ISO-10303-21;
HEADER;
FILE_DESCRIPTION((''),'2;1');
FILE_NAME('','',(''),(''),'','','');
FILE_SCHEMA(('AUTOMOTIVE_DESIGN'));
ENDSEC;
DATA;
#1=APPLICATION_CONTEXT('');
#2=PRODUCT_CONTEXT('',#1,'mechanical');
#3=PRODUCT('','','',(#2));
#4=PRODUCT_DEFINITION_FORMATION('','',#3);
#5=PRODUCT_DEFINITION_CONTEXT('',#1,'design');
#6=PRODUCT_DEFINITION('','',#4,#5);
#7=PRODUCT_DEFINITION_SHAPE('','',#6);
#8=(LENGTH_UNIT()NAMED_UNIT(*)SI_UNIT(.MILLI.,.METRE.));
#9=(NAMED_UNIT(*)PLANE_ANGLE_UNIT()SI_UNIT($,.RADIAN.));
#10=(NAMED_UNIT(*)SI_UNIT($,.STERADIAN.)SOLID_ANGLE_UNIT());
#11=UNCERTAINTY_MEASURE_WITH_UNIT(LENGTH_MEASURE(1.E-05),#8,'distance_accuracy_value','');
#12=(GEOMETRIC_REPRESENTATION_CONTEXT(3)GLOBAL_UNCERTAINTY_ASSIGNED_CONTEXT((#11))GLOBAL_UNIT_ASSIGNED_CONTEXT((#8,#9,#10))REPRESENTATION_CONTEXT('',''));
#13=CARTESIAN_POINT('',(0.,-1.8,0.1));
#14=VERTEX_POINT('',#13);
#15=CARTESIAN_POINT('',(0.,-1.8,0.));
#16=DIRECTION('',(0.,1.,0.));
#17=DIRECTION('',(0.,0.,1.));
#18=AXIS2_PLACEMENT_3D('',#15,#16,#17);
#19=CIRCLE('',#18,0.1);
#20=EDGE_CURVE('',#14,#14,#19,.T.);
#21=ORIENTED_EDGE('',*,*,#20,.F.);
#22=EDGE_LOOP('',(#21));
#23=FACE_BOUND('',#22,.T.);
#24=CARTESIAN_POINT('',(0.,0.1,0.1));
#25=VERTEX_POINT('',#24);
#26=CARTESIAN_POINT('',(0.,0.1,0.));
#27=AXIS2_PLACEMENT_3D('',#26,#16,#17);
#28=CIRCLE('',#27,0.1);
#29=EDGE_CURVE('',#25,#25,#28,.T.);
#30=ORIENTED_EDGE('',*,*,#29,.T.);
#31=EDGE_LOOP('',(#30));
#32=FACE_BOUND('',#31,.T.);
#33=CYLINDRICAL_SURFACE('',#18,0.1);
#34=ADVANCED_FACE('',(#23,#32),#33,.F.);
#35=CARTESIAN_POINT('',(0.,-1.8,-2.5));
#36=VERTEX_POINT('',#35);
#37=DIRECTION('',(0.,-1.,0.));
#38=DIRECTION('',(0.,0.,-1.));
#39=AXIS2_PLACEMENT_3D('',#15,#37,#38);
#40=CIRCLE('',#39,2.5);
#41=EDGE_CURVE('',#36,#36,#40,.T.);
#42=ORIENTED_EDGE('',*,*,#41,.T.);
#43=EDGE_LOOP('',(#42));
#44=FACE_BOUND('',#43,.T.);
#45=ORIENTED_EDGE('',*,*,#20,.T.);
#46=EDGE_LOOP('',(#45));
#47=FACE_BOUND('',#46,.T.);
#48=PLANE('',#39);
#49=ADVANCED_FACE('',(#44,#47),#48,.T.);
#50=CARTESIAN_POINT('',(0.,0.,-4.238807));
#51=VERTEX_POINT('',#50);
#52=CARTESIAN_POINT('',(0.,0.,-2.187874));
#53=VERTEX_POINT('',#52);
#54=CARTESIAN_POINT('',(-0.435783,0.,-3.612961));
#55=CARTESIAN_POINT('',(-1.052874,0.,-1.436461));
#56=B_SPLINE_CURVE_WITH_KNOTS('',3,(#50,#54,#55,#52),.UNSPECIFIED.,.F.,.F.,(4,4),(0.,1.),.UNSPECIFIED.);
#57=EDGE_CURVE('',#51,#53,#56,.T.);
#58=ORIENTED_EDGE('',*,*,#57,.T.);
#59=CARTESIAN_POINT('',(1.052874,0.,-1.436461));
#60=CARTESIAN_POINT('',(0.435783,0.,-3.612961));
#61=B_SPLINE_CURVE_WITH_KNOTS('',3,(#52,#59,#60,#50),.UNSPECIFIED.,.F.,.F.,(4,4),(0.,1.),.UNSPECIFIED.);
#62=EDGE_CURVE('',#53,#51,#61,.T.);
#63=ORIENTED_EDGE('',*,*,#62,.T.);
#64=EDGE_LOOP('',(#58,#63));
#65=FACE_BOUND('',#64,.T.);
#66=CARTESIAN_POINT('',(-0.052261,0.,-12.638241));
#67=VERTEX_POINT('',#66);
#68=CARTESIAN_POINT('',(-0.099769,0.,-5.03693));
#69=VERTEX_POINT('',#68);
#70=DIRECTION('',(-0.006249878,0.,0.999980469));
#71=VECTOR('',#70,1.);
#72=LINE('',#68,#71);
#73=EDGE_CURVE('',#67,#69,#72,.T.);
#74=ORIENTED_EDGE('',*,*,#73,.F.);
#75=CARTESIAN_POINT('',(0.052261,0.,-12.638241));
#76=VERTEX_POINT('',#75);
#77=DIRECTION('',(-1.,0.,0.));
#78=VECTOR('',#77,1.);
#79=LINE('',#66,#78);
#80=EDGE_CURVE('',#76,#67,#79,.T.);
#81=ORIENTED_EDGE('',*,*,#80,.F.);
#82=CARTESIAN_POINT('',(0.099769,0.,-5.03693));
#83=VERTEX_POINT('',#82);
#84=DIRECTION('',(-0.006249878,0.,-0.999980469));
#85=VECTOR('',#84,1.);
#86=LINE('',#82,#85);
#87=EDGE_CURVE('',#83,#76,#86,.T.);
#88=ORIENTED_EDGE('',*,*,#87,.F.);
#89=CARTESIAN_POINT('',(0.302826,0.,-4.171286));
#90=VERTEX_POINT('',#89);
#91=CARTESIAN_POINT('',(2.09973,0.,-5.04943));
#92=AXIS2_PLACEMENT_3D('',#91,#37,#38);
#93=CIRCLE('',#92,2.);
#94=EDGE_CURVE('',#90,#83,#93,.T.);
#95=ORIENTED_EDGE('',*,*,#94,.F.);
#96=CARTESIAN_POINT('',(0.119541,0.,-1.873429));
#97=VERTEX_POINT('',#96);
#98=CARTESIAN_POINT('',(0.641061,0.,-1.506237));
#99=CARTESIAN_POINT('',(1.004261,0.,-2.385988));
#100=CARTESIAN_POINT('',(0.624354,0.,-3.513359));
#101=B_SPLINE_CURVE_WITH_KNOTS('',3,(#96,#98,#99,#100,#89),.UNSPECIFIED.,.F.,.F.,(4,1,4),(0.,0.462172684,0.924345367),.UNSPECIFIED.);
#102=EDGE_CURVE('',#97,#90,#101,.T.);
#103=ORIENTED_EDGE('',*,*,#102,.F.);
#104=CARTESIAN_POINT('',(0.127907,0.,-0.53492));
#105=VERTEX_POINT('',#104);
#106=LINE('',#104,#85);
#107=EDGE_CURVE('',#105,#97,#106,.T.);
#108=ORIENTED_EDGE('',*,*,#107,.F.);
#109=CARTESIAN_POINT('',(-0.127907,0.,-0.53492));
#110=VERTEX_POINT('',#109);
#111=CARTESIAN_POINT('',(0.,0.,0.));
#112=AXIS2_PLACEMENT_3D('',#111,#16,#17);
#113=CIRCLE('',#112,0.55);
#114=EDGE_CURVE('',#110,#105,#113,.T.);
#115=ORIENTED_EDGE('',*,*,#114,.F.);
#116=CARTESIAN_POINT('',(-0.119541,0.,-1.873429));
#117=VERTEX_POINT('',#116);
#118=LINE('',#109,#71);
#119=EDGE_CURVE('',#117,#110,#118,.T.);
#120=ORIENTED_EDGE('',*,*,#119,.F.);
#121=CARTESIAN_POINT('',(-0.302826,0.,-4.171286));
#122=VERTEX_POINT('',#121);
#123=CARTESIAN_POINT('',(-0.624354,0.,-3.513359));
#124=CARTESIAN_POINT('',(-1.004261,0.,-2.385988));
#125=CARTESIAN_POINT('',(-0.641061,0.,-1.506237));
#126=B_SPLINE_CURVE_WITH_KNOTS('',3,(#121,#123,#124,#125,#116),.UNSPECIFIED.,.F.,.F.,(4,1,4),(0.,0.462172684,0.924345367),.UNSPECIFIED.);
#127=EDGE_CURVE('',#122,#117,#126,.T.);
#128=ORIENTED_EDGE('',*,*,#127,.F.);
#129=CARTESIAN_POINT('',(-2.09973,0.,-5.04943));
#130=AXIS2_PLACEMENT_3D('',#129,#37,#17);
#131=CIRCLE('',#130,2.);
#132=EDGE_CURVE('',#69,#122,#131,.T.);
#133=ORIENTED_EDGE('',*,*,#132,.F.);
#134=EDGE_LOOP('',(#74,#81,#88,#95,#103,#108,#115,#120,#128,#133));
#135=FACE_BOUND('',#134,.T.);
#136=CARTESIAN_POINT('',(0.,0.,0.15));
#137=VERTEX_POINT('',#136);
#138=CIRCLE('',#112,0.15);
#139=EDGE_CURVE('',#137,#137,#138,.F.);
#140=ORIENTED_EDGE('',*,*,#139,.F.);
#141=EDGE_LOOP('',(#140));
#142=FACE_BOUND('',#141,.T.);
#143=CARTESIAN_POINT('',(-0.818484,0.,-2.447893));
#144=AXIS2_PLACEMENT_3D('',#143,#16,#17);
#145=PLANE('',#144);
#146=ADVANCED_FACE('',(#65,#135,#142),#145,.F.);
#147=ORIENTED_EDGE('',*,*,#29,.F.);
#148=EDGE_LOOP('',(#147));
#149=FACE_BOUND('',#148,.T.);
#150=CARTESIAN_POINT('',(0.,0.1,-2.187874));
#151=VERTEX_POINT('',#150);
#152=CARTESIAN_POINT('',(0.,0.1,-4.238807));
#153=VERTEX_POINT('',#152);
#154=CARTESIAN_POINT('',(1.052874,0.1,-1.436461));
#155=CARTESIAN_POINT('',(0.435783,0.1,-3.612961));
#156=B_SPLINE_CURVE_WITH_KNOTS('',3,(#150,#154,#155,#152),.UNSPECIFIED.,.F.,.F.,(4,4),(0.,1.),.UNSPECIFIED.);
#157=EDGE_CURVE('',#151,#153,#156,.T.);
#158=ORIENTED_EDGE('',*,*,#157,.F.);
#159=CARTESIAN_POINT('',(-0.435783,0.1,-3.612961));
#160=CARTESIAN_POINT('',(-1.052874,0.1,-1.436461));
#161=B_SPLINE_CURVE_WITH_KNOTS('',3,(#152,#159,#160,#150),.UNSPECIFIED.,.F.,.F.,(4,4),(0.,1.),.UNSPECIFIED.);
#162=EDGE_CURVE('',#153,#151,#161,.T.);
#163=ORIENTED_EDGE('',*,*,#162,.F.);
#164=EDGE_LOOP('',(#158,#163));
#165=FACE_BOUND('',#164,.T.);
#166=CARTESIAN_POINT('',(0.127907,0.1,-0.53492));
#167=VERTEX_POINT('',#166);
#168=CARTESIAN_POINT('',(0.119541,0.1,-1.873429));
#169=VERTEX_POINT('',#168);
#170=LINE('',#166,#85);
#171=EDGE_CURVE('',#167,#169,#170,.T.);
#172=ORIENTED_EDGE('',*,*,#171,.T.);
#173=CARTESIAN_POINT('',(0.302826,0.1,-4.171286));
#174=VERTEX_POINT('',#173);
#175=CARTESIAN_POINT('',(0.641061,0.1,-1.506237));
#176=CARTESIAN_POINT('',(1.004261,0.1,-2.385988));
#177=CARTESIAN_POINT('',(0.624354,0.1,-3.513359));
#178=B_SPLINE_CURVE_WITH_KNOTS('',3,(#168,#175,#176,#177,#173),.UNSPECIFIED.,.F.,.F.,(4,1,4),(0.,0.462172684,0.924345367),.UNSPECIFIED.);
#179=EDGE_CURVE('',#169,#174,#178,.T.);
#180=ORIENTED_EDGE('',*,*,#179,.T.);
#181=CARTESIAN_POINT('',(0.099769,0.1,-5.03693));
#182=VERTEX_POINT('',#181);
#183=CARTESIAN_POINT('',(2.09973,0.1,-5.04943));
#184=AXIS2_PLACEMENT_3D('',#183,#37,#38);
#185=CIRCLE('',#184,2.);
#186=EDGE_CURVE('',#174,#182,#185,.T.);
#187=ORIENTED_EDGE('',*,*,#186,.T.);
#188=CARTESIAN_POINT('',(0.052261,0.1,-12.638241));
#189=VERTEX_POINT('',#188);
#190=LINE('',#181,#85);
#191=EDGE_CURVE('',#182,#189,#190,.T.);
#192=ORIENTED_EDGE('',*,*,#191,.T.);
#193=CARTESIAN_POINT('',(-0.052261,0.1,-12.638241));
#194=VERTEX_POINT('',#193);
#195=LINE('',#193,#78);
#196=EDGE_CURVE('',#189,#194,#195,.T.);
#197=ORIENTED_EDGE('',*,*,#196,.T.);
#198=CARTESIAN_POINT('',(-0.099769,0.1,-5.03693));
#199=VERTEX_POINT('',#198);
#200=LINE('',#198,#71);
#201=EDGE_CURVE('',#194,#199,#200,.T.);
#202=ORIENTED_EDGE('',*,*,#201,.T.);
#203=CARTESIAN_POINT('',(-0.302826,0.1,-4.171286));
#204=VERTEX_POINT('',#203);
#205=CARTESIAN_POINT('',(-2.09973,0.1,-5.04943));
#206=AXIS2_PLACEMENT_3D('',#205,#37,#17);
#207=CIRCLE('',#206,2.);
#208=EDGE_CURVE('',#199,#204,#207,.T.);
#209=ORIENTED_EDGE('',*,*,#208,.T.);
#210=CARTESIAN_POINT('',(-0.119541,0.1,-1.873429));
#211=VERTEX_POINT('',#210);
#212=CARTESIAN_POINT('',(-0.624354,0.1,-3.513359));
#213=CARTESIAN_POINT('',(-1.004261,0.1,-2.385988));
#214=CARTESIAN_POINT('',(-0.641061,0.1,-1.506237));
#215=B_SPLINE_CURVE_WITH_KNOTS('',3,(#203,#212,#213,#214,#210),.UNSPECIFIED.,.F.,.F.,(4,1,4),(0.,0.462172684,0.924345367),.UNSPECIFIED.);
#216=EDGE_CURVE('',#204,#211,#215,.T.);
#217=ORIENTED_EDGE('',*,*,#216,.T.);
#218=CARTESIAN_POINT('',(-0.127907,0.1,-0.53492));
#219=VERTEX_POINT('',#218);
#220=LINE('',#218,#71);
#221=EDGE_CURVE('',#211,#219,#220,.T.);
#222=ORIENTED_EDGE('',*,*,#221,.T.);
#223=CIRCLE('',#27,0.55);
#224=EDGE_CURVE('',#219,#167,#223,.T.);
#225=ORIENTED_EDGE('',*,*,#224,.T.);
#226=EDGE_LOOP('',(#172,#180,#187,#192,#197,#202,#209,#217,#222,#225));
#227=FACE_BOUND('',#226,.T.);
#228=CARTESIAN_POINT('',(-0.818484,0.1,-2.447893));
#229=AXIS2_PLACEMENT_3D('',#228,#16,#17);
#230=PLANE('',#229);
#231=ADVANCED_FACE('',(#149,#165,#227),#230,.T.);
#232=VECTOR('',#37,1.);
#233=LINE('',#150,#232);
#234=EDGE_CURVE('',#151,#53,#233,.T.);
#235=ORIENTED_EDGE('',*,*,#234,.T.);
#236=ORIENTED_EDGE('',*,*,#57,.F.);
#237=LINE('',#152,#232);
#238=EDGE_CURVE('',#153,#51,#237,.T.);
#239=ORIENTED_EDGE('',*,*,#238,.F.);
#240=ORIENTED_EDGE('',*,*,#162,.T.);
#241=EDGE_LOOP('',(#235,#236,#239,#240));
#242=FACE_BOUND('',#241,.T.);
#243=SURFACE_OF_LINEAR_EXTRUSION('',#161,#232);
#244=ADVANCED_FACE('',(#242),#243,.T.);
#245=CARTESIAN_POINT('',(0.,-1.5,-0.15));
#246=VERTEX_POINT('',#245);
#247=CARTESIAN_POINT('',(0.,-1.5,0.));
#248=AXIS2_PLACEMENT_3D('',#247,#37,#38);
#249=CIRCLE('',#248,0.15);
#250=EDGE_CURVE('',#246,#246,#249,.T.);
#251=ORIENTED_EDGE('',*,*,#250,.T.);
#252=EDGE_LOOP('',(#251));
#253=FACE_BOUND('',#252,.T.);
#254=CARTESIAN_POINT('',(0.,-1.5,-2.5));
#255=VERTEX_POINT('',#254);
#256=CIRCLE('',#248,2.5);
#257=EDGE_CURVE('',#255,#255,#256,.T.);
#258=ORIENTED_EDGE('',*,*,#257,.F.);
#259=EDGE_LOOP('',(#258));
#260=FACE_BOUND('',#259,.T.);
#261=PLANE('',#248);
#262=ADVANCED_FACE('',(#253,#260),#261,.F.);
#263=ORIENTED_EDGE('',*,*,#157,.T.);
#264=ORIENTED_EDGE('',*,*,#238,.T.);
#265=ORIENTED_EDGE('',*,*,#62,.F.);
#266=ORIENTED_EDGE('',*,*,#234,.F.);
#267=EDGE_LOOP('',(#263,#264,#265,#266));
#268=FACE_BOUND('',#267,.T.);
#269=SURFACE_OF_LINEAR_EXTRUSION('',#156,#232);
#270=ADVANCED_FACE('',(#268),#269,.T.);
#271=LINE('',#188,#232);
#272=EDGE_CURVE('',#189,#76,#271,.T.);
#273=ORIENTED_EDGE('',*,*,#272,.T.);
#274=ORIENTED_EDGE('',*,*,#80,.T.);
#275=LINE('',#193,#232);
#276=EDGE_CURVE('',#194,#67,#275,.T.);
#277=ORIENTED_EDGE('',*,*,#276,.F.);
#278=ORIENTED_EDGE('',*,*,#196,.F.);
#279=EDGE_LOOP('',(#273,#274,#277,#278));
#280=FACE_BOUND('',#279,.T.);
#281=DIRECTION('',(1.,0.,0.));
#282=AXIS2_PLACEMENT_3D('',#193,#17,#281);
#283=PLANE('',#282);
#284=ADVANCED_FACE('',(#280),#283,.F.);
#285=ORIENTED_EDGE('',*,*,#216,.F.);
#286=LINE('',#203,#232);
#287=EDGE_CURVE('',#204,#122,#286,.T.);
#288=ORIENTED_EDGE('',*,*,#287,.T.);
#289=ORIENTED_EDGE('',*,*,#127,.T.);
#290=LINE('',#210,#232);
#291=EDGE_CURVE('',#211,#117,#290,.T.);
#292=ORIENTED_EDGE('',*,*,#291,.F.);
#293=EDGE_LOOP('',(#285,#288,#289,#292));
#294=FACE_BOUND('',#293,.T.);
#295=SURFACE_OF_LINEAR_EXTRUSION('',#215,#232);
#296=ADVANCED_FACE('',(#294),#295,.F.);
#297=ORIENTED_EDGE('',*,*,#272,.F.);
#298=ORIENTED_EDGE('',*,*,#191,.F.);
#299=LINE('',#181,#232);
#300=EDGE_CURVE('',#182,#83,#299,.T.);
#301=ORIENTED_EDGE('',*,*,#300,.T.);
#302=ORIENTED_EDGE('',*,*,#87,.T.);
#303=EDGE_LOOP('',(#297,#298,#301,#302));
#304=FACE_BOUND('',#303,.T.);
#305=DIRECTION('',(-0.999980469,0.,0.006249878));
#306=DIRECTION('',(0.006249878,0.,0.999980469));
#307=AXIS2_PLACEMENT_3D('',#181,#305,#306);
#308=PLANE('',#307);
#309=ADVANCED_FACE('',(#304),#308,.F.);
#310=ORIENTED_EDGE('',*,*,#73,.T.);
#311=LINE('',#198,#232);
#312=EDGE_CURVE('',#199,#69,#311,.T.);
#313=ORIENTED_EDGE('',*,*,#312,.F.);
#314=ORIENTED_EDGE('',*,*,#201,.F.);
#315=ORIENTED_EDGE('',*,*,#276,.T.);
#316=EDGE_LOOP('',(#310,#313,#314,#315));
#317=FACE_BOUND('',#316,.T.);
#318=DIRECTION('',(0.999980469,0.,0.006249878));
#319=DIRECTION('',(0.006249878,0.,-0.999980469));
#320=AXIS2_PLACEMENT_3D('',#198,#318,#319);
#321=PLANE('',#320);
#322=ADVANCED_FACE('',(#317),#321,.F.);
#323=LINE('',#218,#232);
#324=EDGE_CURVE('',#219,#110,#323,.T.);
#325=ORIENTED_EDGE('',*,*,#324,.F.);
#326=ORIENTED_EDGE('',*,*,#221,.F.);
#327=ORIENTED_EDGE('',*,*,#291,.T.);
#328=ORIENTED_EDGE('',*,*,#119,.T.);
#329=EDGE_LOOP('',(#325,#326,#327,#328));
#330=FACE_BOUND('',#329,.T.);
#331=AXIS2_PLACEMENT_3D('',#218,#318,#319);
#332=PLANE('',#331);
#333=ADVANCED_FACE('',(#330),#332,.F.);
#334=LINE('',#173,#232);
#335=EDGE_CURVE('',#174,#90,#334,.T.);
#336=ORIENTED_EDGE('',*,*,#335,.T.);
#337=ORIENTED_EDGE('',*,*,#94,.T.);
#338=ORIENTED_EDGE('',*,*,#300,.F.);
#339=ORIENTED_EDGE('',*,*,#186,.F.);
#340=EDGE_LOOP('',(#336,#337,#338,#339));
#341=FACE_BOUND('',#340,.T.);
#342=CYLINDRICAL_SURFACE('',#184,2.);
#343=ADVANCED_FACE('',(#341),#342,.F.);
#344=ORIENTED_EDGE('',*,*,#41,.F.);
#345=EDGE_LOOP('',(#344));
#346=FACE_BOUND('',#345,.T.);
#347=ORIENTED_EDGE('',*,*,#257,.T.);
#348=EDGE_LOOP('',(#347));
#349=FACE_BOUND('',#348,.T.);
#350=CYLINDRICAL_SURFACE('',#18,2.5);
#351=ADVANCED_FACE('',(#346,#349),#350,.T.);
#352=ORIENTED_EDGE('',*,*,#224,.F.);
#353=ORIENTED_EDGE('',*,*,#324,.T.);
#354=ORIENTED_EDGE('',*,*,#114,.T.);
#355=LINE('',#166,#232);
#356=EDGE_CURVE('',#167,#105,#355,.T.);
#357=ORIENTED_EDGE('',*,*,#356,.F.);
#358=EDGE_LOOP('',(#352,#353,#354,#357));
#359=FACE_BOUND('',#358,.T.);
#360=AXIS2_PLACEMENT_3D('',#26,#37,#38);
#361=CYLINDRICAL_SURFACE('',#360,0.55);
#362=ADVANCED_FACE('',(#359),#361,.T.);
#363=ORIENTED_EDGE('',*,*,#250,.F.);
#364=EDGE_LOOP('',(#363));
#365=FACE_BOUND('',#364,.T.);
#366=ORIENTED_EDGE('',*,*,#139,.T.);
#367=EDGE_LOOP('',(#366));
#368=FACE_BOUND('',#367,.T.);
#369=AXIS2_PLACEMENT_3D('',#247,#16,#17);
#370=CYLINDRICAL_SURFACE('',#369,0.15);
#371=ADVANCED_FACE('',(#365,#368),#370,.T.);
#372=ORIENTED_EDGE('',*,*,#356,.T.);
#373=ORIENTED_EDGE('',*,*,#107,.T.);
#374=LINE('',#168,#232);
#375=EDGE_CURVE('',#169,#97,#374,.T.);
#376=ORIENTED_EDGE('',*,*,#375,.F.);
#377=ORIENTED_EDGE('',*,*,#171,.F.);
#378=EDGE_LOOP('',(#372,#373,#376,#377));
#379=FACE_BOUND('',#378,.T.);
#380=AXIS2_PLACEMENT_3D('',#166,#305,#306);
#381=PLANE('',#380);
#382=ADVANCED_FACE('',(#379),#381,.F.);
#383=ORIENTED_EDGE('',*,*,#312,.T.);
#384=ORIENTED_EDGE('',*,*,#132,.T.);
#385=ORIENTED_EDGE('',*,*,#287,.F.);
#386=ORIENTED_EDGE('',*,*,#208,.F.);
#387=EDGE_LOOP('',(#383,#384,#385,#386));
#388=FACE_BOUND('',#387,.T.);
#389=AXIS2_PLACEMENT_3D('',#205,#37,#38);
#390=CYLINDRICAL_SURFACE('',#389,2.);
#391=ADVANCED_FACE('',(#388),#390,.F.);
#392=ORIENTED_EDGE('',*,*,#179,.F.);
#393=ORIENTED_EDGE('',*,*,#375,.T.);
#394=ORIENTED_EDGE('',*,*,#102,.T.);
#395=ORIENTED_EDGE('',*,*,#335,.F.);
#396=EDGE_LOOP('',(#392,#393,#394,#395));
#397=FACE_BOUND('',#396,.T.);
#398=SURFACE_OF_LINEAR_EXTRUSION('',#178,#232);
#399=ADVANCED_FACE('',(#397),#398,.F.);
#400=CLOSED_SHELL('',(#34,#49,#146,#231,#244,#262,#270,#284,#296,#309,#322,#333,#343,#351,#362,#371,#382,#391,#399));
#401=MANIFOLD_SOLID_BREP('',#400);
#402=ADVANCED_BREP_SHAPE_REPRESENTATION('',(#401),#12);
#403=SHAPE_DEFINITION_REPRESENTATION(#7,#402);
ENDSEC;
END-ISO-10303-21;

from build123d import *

# Parameters (mm, degrees)
BOSS_EXTRUDE1_DEPTH = 0.1
SKETCH2_R           = 0.15
BOSS_EXTRUDE2_DEPTH = 1.5
SKETCH3_R           = 2.5
BOSS_EXTRUDE3_DEPTH = 0.3
SKETCH4_R           = 0.1
CUT_EXTRUDE1_DEPTH  = 2.9


with BuildPart() as part:
    # Sketch1 → Boss-Extrude1 (new body)
    with BuildSketch(Plane(origin=(0, 0, 0), x_dir=(1, 0, 0), z_dir=(0, 1, 0))):
        with BuildLine():
            Line((-0.127906747, 0.534920428), (-0.119541068, 1.873429083))
            add(Edge.make_bspline(
                [(-0.119541068, 1.873429083), (-0.641060696, 1.506237283), (-1.004261291, 2.385988304), (-0.624353855, 3.513359347), (-0.302826258, 4.171285989)],
                knots=[0, 0, 0, 0, 0.462172684, 0.924345367, 0.924345367, 0.924345367, 0.924345367], degree=3))
            ThreePointArc((-0.302826258, 4.171285989), (-0.152583372, 4.592680906), (-0.099769187, 5.036930007))
            Line((-0.099769187, 5.036930007), (-0.052260994, 12.638240889))
            Line((-0.052260994, 12.638240889), (0.052260994, 12.638240889))
            Line((0.052260994, 12.638240889), (0.099769187, 5.036930007))
            ThreePointArc((0.099769187, 5.036930007), (0.152583372, 4.592680906), (0.302826258, 4.171285989))
            add(Edge.make_bspline(
                [(0.119541068, 1.873429083), (0.641060696, 1.506237283), (1.004261291, 2.385988304), (0.624353855, 3.513359347), (0.302826258, 4.171285989)],
                knots=[0, 0, 0, 0, 0.462172684, 0.924345367, 0.924345367, 0.924345367, 0.924345367], degree=3))
            Line((0.119541068, 1.873429083), (0.127906747, 0.534920428))
            ThreePointArc((0.127906747, 0.534920428), (0, -0.55), (-0.127906747, 0.534920428))
        make_face()
        with BuildLine():
            add(Edge.make_bspline(
                [(0, 2.187874242), (-1.052874031, 1.436460782), (-0.435783261, 3.612960551), (0, 4.238807322)],
                knots=[0, 0, 0, 0, 1, 1, 1, 1], degree=3))
            add(Edge.make_bspline(
                [(0, 2.187874242), (1.052874031, 1.436460782), (0.435783261, 3.612960551), (0, 4.238807322)],
                knots=[0, 0, 0, 0, 1, 1, 1, 1], degree=3))
        make_face(mode=Mode.SUBTRACT)
    extrude(amount=BOSS_EXTRUDE1_DEPTH)

    # Sketch2 → Boss-Extrude2 (add)
    with BuildSketch(Plane.XZ):
        Circle(SKETCH2_R)
    extrude(amount=BOSS_EXTRUDE2_DEPTH)

    # Sketch3 → Boss-Extrude3 (add)
    with BuildSketch(Plane.XZ.offset(1.5)):
        Circle(SKETCH3_R)
    extrude(amount=BOSS_EXTRUDE3_DEPTH)

    # Sketch4 → Cut-Extrude1 (cut, through all)
    with BuildSketch(Plane(origin=(0, 0.1, 0), x_dir=(1, 0, 0), z_dir=(0, 1, 0))):
        Circle(SKETCH4_R)
    extrude(amount=-CUT_EXTRUDE1_DEPTH, mode=Mode.SUBTRACT)


solid = part.part
